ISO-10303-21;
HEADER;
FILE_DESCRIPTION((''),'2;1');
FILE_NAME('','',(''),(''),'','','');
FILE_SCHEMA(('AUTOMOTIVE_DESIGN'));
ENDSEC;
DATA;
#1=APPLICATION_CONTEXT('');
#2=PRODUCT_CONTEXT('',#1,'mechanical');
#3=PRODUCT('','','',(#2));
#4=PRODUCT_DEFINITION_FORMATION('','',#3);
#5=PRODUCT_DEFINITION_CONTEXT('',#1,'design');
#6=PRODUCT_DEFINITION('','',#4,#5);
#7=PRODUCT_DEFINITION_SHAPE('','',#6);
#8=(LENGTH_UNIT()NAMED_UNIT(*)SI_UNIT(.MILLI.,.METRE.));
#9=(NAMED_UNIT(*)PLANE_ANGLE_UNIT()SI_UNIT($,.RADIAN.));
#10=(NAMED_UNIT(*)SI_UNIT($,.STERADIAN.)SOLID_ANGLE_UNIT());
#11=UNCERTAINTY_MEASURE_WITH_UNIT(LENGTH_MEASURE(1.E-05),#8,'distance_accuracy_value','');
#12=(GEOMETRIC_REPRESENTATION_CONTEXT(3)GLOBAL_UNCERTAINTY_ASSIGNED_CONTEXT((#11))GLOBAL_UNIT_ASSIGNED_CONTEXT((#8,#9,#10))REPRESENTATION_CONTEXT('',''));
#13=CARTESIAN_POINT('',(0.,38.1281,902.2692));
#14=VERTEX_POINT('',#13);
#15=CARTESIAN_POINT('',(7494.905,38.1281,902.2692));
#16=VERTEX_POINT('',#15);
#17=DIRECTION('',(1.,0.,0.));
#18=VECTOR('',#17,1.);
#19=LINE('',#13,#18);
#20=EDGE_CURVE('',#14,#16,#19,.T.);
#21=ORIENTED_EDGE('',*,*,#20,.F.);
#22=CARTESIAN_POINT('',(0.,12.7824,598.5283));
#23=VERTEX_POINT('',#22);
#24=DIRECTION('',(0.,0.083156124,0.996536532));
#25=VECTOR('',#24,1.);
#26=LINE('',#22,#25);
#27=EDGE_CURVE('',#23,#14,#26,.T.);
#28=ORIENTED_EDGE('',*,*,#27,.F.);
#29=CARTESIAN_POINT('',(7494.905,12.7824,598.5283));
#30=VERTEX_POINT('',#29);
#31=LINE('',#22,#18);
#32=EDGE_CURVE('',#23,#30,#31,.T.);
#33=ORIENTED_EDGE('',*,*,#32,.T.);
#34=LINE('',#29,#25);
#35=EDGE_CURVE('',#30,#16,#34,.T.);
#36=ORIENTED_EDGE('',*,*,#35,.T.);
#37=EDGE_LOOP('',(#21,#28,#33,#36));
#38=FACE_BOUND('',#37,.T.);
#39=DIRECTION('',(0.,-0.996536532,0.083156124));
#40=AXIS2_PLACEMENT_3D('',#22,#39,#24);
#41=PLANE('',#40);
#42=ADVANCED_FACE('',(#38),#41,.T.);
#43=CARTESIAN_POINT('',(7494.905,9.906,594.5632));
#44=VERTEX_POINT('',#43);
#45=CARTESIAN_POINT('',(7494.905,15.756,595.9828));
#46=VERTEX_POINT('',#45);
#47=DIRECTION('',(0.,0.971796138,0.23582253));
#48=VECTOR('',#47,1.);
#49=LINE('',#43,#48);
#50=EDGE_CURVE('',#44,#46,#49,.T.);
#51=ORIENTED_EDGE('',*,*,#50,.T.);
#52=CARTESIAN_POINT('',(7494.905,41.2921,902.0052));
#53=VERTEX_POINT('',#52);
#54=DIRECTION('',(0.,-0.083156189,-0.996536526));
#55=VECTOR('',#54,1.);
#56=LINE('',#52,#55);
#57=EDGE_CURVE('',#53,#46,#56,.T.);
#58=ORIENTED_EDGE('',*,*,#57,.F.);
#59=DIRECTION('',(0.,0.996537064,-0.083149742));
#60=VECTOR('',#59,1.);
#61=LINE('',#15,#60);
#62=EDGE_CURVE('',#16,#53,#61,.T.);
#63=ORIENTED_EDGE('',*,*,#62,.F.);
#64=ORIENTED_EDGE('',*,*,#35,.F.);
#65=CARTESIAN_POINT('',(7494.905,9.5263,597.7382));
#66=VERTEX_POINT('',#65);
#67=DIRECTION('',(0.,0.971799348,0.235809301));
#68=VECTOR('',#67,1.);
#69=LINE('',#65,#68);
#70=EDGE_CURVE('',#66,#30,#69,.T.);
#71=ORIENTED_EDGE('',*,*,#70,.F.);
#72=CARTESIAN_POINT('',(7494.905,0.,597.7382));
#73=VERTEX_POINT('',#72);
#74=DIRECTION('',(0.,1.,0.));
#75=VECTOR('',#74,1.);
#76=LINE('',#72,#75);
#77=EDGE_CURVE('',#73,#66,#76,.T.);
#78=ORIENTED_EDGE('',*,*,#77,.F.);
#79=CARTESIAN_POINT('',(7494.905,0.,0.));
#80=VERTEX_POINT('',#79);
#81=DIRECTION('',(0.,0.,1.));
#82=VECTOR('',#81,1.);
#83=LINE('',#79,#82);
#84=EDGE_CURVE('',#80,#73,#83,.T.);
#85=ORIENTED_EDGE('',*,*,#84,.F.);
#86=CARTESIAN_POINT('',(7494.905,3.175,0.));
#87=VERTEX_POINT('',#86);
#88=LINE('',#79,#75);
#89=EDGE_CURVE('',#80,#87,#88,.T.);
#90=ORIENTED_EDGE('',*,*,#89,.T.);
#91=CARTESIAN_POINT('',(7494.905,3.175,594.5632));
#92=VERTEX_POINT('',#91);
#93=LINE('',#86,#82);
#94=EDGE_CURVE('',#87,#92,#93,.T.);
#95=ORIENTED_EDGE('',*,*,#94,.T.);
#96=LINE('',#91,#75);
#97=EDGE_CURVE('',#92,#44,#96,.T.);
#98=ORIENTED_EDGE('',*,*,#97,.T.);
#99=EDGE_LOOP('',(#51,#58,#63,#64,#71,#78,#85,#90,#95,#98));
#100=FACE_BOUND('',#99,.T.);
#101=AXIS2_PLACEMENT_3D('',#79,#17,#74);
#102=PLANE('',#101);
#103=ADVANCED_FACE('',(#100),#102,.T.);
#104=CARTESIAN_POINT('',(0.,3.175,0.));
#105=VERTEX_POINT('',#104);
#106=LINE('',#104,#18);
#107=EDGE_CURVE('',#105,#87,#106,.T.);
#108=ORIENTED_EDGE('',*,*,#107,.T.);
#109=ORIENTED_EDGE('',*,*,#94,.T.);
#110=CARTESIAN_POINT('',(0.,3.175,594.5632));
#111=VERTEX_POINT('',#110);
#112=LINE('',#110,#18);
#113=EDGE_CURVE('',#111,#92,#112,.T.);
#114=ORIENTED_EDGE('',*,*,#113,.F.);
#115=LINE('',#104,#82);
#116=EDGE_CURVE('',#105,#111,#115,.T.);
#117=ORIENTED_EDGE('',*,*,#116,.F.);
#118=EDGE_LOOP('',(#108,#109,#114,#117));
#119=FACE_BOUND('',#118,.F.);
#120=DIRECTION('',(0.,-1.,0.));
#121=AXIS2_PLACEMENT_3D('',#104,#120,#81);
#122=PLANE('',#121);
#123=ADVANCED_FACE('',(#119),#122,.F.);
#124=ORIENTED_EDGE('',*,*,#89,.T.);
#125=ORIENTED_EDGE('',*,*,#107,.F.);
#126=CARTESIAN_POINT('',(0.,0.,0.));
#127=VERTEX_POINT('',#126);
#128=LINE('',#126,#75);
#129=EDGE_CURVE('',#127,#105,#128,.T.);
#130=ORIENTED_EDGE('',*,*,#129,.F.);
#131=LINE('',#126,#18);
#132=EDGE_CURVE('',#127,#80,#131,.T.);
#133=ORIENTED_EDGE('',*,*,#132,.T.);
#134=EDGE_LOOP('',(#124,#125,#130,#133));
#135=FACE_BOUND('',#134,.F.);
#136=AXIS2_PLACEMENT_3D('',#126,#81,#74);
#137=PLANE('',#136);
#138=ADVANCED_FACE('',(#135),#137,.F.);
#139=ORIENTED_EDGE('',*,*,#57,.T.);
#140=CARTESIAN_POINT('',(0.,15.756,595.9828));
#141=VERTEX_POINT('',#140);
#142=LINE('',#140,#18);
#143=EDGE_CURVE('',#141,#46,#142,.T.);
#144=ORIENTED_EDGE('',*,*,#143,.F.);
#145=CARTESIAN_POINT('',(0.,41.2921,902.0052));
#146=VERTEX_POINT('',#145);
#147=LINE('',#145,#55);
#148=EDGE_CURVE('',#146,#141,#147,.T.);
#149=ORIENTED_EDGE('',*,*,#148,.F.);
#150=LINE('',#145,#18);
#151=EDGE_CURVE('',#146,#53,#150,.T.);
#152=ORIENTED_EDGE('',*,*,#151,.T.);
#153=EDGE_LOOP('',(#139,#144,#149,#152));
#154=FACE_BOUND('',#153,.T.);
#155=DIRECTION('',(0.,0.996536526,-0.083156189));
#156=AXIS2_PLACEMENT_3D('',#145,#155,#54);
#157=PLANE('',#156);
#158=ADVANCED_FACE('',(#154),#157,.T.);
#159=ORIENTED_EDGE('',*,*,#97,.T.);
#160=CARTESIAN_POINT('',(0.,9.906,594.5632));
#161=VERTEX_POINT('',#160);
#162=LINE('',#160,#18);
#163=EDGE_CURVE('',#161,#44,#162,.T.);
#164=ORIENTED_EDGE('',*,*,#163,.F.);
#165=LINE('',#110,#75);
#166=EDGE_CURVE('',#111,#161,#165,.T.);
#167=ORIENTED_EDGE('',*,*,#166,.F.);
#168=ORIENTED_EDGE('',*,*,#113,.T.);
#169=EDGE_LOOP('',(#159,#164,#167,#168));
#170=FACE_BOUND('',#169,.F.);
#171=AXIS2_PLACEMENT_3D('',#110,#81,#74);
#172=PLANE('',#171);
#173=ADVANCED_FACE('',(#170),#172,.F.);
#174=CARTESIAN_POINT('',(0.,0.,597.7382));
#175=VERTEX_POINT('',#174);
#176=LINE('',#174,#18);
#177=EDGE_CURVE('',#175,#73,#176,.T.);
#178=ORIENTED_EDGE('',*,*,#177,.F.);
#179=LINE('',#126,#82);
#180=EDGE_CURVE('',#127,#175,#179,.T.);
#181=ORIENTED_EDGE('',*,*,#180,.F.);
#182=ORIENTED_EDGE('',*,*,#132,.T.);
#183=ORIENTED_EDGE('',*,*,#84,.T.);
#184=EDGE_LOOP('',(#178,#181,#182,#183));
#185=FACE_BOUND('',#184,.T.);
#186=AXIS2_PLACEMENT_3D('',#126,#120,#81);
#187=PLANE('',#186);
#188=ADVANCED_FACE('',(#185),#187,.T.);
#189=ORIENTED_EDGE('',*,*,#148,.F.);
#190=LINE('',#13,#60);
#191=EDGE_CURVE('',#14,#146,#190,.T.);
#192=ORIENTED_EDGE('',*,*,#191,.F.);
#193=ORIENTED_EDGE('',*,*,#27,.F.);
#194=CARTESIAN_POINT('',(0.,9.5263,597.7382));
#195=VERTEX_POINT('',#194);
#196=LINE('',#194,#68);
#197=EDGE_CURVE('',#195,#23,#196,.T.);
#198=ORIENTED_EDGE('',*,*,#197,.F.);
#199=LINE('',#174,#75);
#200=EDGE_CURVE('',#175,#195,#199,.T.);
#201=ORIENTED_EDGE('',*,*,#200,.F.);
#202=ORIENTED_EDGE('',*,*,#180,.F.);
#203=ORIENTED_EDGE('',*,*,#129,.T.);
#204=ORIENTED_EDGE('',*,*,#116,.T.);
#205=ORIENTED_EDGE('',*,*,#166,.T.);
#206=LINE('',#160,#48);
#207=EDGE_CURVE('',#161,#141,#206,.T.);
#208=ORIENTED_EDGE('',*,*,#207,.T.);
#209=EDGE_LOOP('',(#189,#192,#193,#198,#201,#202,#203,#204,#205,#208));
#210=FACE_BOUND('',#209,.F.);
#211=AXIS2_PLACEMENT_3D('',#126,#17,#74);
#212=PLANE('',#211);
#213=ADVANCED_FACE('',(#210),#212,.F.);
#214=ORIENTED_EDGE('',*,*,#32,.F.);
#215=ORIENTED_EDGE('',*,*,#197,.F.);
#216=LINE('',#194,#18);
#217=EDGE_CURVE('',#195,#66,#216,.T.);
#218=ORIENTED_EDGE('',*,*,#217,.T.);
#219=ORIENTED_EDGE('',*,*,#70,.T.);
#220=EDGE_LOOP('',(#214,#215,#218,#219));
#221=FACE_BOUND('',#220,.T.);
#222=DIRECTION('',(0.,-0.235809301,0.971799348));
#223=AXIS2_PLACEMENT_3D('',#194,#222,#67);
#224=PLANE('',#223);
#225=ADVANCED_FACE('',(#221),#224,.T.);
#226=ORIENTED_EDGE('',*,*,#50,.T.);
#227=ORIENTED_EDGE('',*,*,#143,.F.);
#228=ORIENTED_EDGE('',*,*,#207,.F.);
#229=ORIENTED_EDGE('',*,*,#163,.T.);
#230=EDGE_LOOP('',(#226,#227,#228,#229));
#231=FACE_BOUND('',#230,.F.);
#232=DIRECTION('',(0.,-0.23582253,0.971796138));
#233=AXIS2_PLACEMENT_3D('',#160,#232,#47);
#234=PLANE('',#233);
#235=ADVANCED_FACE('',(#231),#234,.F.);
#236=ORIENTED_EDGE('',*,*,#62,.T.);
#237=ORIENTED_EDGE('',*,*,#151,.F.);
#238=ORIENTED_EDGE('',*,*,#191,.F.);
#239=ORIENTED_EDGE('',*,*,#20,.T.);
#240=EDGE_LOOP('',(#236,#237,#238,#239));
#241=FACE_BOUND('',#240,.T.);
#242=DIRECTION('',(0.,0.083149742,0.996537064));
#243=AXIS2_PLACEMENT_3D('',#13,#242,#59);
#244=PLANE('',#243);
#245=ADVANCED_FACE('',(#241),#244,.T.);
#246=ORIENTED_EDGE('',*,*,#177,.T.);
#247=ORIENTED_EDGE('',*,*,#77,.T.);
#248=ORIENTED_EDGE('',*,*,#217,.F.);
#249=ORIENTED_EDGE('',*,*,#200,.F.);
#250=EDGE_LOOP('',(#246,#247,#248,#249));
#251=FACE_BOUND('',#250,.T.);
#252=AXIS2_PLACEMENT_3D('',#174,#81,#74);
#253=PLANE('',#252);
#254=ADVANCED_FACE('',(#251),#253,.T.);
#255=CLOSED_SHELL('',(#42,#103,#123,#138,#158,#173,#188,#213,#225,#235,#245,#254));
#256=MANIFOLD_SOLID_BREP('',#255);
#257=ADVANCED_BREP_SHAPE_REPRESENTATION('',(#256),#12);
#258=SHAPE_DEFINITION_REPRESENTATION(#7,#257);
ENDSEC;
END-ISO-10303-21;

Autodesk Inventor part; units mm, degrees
ref_plane "YZ Plane" through (0, 0, 0) normal (1, 0, 0) x (0, 1, 0)
ref_plane "XZ Plane" through (0, 0, 0) normal (0, 1, 0) x (-1, 0, 0)
ref_plane "XY Plane" through (0, 0, 0) normal (0, 0, 1) x (1, 0, 0)
sketch "Sketch1" plane through (0, 0, 0) normal (1, 0, 0) x (0, 1, 0)
  line L0 (0, 0) -> (0, 597.7382)
  line L1 (0, 0) -> (3.175, 0)
  line L2 (3.175, 0) -> (3.175, 594.5632)
  line L3 (3.175, 594.5632) -> (9.906, 594.5632)
  line L4 (9.906, 594.5632) -> (15.756, 595.9828)
  line L5 (0, 597.7382) -> (9.5263, 597.7382)
  line L6 (9.5263, 597.7382) -> (12.7824, 598.5283)
  line L7 (41.2921, 902.0052) -> (15.756, 595.9828)
  line L8 (12.7824, 598.5283) -> (38.1281, 902.2692)
  line L9 (38.1281, 902.2692) -> (41.2921, 902.0052)
  dimension "d0" = 594.5632
  dimension "d1" = 3.175
  dimension "d2" = 6.731
  dimension "d7" = 3.175
  dimension "d8" = 6.0198
  dimension "d9" = 166.36
  dimension "d10" = 3.175
  dimension "d11" = 108.41
  dimension "d12" = 3.175
  dimension "d13" = 307.086
extrude "Extrusion1" add sketch "Sketch1" along normal blind 7494.905
properties part number "Underlayment_Over_Intake_Vent"
